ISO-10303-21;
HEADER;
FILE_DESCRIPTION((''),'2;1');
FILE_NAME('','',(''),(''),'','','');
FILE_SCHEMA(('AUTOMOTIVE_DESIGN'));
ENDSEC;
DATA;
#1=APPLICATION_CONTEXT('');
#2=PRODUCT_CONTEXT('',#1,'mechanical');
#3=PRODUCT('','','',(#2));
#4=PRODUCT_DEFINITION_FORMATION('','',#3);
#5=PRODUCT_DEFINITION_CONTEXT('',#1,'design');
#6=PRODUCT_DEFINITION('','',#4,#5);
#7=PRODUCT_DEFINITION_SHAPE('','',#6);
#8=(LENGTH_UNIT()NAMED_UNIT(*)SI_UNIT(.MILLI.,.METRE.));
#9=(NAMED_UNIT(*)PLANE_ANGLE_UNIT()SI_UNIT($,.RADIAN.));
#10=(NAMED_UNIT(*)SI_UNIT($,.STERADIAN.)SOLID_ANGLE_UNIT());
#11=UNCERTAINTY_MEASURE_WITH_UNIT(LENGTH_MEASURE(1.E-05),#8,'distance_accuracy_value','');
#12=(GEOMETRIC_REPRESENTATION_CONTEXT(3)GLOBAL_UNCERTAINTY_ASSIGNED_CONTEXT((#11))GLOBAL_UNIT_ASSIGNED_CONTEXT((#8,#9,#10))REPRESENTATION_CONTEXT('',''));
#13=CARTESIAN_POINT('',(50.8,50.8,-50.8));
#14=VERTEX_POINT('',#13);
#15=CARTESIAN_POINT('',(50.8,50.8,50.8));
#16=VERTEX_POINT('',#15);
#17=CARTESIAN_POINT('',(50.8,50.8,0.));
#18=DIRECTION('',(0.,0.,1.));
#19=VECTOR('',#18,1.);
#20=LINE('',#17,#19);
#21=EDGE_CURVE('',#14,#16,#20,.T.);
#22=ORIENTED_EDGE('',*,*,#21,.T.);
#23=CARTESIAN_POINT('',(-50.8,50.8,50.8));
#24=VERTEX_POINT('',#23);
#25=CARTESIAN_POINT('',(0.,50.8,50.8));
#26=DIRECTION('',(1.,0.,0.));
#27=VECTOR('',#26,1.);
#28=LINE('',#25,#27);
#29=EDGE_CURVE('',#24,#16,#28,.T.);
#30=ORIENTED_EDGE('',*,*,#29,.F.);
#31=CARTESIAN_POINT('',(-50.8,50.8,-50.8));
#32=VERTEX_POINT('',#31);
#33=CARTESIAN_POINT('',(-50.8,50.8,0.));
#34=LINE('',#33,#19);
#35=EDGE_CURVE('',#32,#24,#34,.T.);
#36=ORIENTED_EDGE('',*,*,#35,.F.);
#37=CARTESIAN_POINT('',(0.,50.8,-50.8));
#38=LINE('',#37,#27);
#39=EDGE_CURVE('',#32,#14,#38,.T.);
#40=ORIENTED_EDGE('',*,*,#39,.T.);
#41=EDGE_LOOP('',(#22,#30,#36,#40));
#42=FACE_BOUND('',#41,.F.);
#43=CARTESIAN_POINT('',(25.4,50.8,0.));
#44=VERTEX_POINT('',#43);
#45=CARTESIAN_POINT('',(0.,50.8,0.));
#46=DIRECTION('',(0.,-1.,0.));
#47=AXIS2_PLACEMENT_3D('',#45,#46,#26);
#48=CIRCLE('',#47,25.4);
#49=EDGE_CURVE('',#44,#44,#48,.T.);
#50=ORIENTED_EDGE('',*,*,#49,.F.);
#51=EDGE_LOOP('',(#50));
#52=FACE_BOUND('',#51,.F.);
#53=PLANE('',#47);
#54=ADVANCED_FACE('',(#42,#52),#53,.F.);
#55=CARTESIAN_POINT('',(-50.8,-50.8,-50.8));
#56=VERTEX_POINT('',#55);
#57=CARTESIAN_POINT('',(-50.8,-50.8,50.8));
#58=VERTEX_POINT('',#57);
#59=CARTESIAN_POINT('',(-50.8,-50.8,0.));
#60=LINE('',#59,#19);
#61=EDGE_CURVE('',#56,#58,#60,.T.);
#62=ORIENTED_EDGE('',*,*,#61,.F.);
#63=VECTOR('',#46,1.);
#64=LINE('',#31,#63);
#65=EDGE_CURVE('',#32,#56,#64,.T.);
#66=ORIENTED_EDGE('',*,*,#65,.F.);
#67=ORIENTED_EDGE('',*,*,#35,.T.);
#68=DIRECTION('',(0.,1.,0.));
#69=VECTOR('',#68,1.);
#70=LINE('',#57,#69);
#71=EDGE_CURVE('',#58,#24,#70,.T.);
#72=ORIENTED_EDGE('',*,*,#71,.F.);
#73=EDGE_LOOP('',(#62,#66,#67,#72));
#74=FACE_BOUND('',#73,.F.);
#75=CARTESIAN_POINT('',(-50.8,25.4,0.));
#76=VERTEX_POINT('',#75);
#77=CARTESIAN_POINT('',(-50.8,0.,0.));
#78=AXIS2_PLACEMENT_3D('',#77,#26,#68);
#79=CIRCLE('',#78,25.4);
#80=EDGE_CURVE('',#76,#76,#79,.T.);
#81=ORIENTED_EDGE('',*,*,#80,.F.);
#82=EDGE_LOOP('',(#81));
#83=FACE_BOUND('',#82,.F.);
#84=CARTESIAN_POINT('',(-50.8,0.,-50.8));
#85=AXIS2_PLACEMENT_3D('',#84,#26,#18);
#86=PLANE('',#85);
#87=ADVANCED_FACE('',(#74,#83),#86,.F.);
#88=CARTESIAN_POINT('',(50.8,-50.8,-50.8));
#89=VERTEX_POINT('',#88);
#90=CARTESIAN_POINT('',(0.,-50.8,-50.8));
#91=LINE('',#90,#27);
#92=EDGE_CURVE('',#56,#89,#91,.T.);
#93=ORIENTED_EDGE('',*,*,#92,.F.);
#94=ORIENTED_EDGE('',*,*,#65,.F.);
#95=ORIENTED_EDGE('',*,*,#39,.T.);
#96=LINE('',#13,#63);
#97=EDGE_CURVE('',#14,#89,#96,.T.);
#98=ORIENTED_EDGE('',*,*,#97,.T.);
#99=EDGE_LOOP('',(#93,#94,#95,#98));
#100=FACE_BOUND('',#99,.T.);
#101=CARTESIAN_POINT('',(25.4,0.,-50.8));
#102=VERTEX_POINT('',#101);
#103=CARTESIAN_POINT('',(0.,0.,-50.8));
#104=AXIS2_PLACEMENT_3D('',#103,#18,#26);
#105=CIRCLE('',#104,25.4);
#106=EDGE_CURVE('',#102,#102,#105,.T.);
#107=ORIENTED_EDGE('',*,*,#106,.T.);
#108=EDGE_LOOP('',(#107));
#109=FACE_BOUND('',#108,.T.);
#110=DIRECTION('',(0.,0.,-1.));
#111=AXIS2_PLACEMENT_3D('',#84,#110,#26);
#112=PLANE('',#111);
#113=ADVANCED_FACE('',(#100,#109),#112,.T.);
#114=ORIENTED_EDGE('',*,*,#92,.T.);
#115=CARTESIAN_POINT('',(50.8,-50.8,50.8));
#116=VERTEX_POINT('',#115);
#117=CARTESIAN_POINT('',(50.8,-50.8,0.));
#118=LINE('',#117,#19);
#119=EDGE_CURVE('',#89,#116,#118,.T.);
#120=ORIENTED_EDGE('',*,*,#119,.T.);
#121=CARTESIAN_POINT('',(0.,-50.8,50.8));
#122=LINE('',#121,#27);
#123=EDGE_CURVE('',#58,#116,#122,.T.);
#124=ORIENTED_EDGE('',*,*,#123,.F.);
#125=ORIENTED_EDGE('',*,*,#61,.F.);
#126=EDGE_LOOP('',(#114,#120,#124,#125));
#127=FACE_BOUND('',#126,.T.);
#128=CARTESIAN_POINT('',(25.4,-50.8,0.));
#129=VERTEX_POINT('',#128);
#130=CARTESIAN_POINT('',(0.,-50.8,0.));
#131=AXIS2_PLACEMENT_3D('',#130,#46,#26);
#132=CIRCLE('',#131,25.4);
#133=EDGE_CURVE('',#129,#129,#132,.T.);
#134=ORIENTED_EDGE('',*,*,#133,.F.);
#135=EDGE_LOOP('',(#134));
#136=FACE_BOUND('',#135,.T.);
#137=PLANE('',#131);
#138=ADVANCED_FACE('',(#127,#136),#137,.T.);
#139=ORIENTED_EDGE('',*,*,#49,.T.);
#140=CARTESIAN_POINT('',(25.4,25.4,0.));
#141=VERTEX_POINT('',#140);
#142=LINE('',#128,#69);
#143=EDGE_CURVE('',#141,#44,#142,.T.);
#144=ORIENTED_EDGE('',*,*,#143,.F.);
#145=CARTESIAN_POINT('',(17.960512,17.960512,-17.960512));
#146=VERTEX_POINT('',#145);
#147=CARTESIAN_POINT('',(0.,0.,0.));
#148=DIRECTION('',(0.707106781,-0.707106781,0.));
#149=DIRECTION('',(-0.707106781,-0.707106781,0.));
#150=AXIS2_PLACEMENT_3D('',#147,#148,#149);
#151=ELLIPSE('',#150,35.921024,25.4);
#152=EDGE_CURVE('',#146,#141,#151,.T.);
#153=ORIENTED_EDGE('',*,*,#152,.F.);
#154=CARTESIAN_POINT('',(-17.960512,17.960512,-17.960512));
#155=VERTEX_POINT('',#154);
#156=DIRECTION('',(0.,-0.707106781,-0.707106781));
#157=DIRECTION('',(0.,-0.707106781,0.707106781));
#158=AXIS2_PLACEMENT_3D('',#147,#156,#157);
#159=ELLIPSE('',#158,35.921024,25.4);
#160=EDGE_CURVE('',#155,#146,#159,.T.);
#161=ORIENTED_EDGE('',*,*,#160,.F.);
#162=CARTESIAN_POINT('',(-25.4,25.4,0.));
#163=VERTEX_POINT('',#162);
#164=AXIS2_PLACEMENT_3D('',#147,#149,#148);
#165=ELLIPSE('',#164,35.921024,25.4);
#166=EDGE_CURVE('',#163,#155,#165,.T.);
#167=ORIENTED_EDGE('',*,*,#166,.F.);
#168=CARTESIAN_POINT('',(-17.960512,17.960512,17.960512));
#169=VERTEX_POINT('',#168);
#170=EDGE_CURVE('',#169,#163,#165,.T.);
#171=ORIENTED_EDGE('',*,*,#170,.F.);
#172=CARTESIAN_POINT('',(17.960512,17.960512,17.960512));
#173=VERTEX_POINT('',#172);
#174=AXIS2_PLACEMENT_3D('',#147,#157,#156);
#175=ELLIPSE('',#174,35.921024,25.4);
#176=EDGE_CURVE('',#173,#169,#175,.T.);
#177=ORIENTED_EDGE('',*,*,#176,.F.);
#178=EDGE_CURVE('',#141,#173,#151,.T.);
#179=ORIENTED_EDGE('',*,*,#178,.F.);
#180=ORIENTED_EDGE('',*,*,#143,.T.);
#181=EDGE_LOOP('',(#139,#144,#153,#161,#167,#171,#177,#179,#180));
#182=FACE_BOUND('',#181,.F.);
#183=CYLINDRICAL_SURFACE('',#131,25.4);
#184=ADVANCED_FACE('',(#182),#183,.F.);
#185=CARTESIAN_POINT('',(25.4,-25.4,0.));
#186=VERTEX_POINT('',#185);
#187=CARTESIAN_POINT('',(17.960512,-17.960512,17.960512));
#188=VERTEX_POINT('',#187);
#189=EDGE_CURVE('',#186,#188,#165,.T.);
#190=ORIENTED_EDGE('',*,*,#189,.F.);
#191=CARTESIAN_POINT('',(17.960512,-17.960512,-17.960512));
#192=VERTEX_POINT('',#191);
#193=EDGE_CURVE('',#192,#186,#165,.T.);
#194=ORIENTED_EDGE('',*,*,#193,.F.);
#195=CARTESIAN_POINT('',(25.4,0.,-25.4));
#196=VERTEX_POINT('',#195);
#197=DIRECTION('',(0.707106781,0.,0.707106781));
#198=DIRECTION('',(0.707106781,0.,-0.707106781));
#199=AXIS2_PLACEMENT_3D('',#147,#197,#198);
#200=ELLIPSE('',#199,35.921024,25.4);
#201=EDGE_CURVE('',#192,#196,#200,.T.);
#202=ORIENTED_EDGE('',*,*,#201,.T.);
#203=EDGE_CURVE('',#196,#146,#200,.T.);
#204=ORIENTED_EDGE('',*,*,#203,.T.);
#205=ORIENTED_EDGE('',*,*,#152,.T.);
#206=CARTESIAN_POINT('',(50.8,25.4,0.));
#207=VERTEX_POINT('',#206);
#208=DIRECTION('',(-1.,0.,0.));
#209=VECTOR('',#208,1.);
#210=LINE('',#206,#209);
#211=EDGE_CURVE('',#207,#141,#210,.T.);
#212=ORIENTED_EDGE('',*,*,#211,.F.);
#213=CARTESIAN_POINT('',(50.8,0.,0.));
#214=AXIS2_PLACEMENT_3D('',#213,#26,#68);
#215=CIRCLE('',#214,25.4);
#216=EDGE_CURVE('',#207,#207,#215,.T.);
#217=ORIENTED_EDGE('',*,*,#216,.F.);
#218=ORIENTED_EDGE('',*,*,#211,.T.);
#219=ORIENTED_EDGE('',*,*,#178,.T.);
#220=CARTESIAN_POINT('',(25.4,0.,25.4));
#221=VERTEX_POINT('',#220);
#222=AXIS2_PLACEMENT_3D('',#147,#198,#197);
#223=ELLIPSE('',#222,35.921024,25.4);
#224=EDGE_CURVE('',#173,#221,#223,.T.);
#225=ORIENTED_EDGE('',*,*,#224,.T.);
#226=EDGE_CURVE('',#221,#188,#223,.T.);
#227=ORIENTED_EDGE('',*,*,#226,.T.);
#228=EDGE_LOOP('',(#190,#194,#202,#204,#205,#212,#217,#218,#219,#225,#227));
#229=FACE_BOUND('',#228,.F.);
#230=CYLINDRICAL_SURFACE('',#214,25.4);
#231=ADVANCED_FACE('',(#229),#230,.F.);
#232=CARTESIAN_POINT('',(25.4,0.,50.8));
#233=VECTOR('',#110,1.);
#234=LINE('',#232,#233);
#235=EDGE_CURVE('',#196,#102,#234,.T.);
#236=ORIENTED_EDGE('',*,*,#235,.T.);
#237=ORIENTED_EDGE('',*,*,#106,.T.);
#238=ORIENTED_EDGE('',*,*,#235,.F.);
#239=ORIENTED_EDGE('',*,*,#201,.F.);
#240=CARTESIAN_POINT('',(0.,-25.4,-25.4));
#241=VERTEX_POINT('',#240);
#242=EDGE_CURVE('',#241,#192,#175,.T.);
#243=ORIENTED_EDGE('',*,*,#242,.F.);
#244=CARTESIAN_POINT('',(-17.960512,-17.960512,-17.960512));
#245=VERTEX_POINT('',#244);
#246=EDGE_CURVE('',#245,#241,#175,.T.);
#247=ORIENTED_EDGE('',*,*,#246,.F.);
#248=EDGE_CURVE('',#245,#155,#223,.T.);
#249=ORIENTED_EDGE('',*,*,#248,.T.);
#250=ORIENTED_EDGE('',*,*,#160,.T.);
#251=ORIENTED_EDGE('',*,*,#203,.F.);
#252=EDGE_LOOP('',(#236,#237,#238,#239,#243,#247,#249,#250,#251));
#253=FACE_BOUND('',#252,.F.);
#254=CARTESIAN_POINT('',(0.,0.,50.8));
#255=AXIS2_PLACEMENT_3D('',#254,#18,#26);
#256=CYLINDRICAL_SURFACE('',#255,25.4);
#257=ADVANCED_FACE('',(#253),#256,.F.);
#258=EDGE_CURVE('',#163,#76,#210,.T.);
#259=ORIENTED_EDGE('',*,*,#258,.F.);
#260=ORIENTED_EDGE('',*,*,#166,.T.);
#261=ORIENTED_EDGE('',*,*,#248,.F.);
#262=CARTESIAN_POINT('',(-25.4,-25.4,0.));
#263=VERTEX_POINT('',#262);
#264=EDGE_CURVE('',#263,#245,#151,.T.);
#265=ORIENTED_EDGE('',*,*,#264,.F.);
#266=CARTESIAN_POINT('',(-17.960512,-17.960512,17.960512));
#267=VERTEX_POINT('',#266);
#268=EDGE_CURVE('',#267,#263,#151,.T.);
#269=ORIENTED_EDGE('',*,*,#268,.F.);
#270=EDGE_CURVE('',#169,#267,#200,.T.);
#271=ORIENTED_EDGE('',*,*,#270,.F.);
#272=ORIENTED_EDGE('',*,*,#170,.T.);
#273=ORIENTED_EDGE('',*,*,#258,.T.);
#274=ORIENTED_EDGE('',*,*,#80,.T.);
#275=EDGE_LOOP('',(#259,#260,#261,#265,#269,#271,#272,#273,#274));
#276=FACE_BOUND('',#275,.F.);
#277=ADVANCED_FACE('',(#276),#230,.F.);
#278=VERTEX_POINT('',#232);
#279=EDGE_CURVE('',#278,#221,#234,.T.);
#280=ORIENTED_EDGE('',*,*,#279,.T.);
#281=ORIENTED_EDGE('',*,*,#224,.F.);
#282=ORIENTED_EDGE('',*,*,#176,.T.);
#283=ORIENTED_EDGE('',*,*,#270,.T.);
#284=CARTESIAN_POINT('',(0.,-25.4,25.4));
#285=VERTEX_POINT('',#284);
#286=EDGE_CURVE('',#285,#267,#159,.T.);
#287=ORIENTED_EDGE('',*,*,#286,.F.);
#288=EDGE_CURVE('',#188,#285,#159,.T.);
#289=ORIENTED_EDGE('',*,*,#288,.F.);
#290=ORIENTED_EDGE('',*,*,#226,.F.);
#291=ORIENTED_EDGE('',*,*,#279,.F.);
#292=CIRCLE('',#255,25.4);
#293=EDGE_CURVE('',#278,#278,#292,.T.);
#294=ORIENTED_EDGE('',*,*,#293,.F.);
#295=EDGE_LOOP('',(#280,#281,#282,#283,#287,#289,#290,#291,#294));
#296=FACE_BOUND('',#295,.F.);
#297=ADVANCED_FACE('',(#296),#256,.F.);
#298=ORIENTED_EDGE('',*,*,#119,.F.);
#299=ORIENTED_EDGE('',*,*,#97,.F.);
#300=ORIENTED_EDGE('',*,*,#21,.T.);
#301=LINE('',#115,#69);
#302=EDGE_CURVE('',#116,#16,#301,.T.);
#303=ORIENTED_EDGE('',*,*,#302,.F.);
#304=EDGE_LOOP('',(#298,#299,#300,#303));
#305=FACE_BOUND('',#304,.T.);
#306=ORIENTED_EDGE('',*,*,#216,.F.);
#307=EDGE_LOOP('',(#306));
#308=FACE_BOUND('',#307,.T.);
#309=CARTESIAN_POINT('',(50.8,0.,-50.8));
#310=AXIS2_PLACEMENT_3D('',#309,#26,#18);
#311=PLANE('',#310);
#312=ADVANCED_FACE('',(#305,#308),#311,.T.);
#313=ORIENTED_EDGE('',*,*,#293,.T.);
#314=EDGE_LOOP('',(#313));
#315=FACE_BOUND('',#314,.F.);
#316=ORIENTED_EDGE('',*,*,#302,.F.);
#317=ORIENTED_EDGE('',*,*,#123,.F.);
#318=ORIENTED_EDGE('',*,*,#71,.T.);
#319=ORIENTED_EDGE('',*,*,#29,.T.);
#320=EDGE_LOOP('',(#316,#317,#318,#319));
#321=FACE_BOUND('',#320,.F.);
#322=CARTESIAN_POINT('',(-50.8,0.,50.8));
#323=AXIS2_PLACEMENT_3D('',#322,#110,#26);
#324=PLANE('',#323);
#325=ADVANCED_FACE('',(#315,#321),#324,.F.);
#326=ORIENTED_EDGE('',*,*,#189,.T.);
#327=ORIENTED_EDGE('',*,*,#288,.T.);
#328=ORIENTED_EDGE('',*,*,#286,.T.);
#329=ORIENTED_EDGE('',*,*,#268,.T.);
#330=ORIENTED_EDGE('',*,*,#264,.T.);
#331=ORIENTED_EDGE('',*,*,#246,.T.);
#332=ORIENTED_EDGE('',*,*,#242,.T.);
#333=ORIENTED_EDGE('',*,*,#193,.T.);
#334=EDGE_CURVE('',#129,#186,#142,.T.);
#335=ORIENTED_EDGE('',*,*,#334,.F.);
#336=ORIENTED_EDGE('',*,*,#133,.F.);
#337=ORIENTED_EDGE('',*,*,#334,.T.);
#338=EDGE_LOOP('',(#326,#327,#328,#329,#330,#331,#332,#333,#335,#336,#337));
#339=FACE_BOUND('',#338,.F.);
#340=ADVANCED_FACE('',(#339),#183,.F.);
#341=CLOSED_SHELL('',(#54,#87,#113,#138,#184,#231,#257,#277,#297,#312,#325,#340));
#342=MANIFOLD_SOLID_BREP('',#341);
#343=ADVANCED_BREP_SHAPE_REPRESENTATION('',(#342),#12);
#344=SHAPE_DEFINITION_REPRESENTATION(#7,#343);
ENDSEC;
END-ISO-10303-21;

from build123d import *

# Parameters (mm, degrees)
F0_W     = 101.6
F0_H     = 101.6
F1_DEPTH = 50.8
F2_R     = 25.4
F3_DEPTH = 101.601
F4_R     = 25.4
F5_DEPTH = 101.601
F6_R     = 25.4
F7_DEPTH = 101.601


with BuildPart() as f1:
    # F0 (on Front) → F1 (new body, symmetric)
    with BuildSketch(Plane.XZ):
        Rectangle(F0_W, F0_H)
    extrude(amount=F1_DEPTH, both=True)

    # F2 (on face) → F3 (cut, through all)
    with BuildSketch(Plane.XZ.offset(50.8)):
        Circle(F2_R)
    extrude(amount=-F3_DEPTH, mode=Mode.SUBTRACT)

    # F4 (on face) → F5 (cut, through all)
    with BuildSketch(Plane.YZ.offset(50.8)):
        Circle(F4_R)
    extrude(amount=-F5_DEPTH, mode=Mode.SUBTRACT)

    # F6 (on face) → F7 (cut, through all)
    with BuildSketch(Plane.XY.offset(50.8)):
        Circle(F6_R)
    extrude(amount=-F7_DEPTH, mode=Mode.SUBTRACT)


solid = f1.part
